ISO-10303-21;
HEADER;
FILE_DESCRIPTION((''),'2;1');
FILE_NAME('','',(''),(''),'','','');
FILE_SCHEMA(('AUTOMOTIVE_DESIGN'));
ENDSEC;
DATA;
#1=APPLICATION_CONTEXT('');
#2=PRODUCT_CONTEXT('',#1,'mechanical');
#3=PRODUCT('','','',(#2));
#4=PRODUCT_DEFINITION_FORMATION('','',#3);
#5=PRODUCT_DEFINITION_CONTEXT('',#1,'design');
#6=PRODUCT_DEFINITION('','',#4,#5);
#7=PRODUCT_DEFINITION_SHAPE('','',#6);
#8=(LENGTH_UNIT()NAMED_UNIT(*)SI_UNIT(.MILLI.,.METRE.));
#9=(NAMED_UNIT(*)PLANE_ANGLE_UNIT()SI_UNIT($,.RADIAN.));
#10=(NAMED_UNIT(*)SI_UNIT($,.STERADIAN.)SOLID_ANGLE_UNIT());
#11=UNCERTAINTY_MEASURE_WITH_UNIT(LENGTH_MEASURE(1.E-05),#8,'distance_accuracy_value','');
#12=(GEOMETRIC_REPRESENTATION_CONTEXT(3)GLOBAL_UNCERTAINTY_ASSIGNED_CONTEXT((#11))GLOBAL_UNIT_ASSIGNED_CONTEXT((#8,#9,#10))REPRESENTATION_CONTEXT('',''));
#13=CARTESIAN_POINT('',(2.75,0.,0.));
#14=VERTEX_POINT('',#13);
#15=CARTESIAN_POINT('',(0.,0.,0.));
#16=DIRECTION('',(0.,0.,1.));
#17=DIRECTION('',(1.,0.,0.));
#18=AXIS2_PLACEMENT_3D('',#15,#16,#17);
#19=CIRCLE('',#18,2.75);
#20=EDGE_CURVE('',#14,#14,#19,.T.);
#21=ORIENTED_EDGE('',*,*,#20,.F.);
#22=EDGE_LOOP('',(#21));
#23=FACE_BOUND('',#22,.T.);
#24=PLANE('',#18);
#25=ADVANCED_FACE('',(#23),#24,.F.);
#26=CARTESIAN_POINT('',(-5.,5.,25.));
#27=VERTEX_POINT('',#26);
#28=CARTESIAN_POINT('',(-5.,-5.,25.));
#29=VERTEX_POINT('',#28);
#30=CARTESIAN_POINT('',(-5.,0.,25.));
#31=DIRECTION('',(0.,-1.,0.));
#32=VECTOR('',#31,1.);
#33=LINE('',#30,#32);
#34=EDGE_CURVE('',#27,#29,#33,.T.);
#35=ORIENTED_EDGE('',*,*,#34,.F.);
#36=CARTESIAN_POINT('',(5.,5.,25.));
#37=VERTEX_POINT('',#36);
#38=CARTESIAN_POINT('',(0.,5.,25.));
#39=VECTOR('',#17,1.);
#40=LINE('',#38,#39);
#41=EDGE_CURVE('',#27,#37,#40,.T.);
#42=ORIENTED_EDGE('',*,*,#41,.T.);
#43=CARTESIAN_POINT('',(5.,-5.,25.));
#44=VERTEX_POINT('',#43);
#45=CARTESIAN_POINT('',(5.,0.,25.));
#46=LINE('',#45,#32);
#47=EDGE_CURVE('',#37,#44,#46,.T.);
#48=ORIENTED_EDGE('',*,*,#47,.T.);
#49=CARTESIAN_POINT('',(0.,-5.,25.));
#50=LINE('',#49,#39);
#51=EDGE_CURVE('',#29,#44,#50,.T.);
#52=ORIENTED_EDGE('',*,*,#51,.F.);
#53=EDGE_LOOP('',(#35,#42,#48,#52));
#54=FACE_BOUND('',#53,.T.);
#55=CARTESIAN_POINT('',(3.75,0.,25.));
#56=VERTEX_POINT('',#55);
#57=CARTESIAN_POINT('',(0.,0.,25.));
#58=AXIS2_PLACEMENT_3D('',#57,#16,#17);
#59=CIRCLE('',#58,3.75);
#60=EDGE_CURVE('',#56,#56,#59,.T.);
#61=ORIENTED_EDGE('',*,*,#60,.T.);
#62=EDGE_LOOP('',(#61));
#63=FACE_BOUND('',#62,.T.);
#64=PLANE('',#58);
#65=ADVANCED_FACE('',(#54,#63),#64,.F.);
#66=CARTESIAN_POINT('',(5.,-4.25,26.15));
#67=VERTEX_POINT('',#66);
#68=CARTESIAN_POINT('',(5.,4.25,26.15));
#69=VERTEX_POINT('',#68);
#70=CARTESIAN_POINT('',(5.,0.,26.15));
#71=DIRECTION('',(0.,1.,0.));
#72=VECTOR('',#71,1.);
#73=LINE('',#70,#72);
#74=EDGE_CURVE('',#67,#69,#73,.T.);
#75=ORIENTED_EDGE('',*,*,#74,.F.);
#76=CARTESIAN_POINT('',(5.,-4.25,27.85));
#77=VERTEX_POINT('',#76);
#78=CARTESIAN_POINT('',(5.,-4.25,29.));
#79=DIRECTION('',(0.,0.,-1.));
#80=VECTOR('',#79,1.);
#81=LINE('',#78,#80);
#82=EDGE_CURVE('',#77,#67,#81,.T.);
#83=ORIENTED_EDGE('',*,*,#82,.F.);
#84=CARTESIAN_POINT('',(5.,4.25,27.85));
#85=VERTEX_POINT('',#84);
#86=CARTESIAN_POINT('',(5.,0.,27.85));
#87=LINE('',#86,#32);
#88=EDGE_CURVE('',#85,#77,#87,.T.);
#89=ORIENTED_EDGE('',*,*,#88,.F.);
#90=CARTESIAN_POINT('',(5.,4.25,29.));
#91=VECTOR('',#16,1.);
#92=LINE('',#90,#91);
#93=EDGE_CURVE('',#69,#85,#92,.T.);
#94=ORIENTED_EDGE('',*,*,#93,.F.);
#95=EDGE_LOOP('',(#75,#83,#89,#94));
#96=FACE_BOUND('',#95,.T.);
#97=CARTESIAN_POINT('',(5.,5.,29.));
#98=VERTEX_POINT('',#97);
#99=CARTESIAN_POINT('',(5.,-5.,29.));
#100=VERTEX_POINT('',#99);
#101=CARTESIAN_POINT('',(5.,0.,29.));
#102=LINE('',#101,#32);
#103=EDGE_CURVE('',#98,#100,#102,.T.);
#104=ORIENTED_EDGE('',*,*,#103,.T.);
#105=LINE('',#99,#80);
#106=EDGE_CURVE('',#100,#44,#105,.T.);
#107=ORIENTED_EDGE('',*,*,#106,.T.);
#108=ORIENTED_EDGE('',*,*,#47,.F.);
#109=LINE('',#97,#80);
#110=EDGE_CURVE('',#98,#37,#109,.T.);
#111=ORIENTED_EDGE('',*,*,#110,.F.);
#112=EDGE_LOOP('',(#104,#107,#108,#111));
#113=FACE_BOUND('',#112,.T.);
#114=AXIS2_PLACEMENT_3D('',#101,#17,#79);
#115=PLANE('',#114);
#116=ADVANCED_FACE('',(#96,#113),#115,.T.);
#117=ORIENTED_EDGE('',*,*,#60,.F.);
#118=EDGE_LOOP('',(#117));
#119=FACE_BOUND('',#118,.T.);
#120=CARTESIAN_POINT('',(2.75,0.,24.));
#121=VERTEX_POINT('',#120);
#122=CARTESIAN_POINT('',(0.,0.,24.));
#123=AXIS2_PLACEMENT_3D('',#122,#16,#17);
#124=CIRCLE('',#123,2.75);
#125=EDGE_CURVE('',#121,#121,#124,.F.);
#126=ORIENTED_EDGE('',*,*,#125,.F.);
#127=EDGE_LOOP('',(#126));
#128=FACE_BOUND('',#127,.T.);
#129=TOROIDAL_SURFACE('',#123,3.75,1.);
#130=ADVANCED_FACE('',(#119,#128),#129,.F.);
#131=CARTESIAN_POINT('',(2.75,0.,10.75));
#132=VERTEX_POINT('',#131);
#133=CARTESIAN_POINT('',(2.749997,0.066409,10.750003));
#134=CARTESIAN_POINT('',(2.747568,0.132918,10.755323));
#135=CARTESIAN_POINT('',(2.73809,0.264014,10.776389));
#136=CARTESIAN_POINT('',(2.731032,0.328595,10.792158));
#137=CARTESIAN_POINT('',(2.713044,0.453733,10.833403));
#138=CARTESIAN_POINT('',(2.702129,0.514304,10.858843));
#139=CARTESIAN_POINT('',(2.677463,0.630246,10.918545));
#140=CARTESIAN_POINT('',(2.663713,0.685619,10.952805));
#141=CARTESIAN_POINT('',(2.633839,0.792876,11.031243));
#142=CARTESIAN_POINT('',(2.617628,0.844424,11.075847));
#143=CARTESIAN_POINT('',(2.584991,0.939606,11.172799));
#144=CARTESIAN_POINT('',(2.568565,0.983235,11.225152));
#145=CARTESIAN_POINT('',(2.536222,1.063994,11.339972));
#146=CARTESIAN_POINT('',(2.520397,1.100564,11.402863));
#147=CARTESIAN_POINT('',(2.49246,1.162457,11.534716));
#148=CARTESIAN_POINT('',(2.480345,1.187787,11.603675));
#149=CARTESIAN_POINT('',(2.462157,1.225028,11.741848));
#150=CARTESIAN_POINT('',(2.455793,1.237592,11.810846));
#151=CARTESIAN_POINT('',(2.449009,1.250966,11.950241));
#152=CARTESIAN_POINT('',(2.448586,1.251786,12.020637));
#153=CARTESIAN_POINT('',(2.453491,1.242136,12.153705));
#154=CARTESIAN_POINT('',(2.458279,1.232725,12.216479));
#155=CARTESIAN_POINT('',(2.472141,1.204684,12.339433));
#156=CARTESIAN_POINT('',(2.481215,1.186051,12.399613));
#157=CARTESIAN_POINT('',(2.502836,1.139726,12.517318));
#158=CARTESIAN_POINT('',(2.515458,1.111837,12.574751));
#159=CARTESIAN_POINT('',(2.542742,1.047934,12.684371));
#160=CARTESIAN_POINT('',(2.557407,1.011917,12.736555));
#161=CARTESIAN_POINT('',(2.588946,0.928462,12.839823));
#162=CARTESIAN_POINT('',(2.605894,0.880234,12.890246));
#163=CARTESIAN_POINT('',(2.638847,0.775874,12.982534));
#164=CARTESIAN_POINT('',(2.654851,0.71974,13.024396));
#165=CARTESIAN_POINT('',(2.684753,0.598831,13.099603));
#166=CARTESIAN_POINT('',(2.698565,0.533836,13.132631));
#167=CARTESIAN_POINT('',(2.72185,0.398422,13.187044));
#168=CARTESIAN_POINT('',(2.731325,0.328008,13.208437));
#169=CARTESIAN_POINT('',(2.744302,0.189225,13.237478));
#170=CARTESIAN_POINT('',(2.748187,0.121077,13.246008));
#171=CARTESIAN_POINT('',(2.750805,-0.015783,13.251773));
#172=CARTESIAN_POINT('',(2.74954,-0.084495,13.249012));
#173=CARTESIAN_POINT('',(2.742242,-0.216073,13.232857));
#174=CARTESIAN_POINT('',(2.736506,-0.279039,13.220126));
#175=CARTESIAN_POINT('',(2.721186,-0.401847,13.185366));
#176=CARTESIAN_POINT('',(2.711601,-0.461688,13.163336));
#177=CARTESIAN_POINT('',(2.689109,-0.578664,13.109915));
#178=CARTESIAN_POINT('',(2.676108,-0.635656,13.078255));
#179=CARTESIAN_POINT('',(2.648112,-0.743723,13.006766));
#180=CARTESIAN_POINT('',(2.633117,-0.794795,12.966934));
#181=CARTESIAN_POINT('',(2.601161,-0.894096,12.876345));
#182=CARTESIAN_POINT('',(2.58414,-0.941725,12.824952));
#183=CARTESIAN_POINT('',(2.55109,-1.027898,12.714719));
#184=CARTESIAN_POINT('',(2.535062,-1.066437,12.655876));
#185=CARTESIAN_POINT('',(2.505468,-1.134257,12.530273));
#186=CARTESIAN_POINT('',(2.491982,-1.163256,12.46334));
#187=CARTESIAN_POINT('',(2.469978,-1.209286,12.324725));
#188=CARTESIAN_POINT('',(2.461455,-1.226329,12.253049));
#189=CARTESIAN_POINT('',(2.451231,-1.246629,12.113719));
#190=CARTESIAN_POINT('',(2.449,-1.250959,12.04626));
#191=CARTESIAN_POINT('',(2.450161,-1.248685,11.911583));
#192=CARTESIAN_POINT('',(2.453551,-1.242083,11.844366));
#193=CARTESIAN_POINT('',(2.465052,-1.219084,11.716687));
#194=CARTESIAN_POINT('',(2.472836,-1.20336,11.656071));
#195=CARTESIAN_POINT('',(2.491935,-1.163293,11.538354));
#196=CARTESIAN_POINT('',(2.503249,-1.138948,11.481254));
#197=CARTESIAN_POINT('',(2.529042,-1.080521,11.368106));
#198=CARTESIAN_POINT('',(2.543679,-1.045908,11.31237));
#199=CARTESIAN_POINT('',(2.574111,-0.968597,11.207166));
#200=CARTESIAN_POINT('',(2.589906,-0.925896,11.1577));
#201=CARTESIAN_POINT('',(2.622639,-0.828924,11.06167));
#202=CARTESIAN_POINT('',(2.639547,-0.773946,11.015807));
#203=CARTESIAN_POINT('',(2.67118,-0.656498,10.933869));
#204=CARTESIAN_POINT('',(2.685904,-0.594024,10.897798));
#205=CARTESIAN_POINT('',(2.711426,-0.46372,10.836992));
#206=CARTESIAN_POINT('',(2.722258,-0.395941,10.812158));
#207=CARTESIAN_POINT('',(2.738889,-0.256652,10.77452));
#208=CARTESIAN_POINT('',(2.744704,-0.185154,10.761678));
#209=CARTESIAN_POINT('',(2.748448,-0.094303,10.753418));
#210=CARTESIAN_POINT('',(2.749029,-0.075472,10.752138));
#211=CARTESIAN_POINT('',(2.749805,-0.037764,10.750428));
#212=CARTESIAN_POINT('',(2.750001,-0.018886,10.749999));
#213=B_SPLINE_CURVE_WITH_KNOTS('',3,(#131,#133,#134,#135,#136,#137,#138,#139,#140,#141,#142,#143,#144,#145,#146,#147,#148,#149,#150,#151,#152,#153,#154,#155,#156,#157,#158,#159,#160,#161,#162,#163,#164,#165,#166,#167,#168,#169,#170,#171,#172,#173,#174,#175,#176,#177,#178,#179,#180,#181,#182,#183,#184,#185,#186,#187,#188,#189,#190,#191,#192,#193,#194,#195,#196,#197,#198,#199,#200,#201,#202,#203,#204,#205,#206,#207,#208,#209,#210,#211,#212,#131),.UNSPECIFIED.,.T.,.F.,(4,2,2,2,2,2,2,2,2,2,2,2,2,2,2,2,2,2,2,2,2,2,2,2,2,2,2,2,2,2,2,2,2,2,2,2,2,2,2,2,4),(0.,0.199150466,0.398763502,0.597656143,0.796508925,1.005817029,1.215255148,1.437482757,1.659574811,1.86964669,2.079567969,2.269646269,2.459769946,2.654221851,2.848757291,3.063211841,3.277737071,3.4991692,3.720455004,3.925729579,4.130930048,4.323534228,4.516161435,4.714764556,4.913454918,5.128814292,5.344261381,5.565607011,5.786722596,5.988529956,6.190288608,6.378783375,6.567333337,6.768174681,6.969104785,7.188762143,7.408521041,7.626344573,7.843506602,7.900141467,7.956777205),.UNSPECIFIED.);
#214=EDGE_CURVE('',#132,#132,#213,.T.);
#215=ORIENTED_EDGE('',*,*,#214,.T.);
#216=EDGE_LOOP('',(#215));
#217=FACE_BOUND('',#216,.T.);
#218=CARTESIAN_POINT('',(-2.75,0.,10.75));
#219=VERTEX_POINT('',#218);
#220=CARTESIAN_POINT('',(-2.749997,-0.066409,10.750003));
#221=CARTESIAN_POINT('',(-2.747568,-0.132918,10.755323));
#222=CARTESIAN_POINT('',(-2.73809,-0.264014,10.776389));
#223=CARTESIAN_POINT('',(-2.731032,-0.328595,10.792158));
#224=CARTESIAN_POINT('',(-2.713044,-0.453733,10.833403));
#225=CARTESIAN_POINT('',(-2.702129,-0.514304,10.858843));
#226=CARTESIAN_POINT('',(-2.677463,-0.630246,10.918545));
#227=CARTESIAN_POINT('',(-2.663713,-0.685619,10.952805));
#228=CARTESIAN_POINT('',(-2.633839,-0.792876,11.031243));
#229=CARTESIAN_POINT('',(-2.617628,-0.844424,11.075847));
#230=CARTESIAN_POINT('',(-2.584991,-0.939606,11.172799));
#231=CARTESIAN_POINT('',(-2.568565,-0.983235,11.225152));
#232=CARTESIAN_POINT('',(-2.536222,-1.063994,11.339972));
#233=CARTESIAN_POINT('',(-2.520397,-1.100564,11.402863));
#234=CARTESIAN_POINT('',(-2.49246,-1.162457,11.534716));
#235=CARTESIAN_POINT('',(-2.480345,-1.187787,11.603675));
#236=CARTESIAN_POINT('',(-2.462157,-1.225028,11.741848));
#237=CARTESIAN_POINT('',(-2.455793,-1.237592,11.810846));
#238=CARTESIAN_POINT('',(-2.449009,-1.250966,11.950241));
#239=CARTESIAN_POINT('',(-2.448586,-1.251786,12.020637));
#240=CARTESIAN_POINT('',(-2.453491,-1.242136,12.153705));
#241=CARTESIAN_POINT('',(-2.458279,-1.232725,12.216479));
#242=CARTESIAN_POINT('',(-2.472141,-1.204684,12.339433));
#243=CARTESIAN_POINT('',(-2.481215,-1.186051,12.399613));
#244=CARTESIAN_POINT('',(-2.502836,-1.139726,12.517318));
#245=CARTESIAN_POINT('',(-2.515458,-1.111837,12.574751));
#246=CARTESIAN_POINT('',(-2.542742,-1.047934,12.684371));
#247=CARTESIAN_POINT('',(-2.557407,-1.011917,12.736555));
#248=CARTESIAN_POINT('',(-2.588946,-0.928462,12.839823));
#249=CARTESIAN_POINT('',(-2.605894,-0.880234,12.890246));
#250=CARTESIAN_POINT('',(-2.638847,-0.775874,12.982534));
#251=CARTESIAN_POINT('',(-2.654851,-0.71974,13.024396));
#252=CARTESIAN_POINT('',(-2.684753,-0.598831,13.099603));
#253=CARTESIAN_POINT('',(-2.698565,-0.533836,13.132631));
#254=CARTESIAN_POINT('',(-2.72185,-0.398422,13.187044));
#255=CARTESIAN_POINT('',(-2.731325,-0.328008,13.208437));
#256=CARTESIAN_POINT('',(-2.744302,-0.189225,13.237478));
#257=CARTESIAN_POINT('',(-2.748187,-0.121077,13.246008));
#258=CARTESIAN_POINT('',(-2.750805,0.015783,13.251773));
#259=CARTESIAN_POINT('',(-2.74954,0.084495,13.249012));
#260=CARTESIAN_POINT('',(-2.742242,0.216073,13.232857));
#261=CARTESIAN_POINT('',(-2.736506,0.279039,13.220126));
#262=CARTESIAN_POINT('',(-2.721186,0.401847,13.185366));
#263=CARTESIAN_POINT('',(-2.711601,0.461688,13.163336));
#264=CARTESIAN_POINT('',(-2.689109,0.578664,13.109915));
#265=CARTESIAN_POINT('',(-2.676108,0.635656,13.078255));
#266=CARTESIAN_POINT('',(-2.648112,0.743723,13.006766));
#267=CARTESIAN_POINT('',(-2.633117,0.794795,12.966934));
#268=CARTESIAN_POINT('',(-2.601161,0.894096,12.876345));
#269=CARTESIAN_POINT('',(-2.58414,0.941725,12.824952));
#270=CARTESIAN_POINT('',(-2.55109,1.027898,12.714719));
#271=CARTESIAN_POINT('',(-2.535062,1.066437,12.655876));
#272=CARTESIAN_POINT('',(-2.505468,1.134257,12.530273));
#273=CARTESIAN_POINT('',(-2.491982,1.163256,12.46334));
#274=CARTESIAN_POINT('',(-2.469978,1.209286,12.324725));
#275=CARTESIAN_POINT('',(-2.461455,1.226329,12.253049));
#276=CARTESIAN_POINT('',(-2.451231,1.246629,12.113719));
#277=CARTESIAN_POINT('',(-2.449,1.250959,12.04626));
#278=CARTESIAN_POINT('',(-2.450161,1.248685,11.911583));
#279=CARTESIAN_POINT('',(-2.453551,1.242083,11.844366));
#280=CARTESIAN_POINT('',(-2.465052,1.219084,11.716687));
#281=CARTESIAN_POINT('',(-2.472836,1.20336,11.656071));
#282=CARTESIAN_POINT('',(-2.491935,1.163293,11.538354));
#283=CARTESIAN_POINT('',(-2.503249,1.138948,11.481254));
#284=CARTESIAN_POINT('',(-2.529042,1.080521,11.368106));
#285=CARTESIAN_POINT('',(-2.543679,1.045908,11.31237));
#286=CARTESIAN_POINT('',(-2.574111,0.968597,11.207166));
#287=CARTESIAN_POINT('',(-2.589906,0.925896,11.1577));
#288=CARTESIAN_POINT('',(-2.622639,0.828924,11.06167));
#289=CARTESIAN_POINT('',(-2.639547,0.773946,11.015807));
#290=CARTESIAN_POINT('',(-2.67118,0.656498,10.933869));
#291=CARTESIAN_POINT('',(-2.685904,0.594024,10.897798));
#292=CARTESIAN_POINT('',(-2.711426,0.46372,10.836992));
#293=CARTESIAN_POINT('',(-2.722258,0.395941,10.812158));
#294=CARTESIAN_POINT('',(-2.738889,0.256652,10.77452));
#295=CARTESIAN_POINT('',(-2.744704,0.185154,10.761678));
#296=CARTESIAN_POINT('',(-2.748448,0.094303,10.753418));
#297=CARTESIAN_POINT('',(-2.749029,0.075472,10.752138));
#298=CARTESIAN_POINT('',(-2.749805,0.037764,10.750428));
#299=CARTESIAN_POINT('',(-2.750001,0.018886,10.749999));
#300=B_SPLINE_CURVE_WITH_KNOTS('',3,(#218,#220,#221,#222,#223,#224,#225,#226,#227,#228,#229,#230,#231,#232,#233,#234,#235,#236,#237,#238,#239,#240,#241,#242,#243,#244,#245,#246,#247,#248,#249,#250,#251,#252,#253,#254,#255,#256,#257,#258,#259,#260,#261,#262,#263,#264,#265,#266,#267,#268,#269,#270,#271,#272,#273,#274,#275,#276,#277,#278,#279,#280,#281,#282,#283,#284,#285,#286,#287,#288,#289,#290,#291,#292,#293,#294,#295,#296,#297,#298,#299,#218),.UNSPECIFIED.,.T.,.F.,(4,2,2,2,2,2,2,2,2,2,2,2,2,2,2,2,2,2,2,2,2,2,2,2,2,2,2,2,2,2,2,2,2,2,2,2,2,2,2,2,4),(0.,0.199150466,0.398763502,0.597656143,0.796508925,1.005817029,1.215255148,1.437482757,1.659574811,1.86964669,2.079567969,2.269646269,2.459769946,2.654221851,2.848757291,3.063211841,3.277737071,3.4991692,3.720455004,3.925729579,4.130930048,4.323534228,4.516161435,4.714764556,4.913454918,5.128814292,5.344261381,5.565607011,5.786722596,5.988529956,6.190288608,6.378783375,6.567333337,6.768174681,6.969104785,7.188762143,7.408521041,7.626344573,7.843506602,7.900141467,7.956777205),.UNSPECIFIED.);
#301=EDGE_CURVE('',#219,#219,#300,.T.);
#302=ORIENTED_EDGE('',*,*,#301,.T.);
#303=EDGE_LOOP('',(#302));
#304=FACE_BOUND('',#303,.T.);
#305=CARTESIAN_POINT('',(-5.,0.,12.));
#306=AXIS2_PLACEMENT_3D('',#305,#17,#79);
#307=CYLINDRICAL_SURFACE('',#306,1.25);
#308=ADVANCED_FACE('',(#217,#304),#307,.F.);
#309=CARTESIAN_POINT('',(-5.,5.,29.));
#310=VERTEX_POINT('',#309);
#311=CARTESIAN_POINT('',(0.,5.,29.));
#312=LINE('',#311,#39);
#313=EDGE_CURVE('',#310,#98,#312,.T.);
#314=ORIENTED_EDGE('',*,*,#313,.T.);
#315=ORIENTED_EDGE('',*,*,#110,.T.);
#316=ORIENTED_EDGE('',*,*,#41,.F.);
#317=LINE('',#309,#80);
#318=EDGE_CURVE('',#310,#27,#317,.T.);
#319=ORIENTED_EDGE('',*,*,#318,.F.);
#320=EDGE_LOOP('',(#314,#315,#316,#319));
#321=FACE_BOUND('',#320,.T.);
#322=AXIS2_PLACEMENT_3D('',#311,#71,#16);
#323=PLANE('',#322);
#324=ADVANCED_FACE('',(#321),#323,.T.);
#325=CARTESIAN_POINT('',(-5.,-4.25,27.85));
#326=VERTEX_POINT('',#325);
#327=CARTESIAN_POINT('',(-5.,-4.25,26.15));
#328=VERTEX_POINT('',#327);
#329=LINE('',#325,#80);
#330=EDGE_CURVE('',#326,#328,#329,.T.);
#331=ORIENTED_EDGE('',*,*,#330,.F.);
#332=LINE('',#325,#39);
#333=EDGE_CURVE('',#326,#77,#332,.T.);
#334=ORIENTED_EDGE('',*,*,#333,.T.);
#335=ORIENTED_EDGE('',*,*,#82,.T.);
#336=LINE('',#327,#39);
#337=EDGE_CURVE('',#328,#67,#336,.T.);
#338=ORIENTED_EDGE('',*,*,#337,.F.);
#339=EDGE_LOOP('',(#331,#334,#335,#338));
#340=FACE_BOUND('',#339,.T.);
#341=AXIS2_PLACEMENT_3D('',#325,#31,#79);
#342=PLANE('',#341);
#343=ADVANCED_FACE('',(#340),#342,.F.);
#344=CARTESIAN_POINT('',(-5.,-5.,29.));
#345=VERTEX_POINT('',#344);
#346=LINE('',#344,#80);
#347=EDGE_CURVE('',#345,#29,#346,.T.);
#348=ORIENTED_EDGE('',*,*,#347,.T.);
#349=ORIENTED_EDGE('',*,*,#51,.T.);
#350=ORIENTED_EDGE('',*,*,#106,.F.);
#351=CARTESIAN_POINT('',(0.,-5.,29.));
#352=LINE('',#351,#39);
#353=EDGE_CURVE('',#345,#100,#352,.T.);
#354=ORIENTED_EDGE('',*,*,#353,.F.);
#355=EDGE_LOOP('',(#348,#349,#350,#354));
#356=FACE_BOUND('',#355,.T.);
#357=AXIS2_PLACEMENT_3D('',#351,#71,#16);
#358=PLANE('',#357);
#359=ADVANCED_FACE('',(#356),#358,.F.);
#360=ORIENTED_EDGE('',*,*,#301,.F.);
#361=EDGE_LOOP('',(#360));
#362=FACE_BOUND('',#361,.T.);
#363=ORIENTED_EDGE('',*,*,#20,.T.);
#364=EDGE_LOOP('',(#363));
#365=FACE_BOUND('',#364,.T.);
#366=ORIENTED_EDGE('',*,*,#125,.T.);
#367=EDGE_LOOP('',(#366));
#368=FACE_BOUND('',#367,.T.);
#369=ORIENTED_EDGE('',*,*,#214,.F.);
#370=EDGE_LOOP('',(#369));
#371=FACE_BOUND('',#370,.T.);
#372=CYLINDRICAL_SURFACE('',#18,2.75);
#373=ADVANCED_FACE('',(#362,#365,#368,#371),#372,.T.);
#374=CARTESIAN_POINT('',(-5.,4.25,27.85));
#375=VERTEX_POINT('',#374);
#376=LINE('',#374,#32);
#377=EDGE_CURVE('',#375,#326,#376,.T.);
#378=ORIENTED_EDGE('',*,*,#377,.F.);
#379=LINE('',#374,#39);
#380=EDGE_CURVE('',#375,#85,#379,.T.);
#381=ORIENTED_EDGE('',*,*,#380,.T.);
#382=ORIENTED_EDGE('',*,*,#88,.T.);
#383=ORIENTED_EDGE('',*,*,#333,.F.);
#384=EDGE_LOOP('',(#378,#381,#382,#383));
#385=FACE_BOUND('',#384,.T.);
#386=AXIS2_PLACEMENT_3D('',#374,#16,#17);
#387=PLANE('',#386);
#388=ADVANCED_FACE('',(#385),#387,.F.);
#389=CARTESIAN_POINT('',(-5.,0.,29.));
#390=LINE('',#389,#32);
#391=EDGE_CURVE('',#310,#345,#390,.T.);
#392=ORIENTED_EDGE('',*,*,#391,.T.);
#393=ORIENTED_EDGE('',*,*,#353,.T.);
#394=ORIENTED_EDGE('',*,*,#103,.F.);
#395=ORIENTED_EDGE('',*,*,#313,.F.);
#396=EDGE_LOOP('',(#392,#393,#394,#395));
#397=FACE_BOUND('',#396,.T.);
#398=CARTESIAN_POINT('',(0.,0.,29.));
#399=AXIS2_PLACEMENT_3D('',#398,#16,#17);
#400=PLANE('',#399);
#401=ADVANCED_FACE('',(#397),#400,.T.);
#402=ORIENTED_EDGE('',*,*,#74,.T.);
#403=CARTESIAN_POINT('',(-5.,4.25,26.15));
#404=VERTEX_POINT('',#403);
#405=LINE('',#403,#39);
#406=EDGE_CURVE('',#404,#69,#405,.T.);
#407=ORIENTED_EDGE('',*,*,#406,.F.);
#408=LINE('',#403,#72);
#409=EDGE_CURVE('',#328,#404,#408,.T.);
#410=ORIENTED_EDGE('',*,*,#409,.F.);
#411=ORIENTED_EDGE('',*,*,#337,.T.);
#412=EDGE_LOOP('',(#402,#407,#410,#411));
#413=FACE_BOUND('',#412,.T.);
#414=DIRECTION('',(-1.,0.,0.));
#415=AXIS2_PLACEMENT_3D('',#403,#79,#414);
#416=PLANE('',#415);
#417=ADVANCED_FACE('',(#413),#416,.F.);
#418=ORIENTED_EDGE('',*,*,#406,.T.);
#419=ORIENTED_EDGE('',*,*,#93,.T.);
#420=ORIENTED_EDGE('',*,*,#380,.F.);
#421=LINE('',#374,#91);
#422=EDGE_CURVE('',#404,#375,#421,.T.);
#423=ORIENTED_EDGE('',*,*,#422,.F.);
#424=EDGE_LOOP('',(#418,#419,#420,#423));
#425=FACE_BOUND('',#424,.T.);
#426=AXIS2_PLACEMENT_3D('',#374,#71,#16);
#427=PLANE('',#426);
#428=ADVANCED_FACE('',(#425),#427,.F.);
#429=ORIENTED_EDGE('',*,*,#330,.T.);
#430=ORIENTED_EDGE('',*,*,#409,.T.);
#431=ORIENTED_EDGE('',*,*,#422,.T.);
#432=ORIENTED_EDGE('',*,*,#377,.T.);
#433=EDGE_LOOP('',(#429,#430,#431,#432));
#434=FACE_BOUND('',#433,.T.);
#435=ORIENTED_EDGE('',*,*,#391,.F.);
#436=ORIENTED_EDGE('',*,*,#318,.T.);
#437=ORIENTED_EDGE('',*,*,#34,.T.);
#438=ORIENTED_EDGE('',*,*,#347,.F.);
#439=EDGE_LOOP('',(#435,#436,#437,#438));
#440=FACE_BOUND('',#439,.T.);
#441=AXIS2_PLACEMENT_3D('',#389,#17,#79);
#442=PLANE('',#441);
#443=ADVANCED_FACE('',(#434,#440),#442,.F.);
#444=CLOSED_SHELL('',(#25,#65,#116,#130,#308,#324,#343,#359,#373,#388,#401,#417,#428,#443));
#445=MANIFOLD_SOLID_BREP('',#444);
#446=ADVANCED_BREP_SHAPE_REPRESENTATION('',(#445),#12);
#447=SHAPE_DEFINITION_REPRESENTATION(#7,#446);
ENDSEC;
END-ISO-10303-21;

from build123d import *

# Parameters (mm, degrees)
SKETCH2_R               = 2.75
SKETCH3_R               = 2.75
SKETCH3_7_W             = 10
SKETCH3_7_H             = 10
BOSS_EXTRUDE4_DEPTH     = 4
SKETCH8_W               = 1.7
SKETCH8_H               = 8.5
CUT_EXTRUDE2_DEPTH      = 1
CUT_EXTRUDE2_DEPTH_BACK = 11
FILLET1_R               = 1
SKETCH11_R              = 1.25
CUT_EXTRUDE4_DEPTH      = 6
CUT_EXTRUDE4_DEPTH_BACK = 6


with BuildPart() as part:
    # Sketch2 → Loft1 section 0
    with BuildSketch(Plane.XY):
        Circle(SKETCH2_R)
    # Sketch3 → Loft1 section 1
    with BuildSketch(Plane.XY.offset(25)):
        Circle(SKETCH3_R)
    loft()

    # Sketch3<7> → Boss-Extrude4 (add)
    with BuildSketch(Plane.XY.offset(25)):
        Rectangle(SKETCH3_7_W, SKETCH3_7_H)
    extrude(amount=BOSS_EXTRUDE4_DEPTH)

    # Sketch8 → Cut-Extrude2 (cut, two sides)
    with BuildSketch(Plane(origin=(5, 0, 0), x_dir=(0, 0, -1), z_dir=(1, 0, 0))) as cut_extrude2_sk:
        with Locations((-27, 0)):
            Rectangle(SKETCH8_W, SKETCH8_H)
    extrude(amount=CUT_EXTRUDE2_DEPTH, mode=Mode.SUBTRACT)
    extrude(cut_extrude2_sk.sketch, amount=-CUT_EXTRUDE2_DEPTH_BACK, mode=Mode.SUBTRACT)

    # Fillet1
    fillet1_edges = [part.edges().sort_by_distance(p)[0] for p in [
        (-2.75, 0, 25),
    ]]
    fillet(fillet1_edges, radius=FILLET1_R)

    # Sketch11 → Cut-Extrude4 (cut, two sides)
    with BuildSketch(Plane(origin=(0, 0, 0), x_dir=(0, 0, -1), z_dir=(1, 0, 0))) as cut_extrude4_sk:
        with Locations((-12, 0)):
            Circle(SKETCH11_R)
    extrude(amount=CUT_EXTRUDE4_DEPTH, mode=Mode.SUBTRACT)
    extrude(cut_extrude4_sk.sketch, amount=-CUT_EXTRUDE4_DEPTH_BACK, mode=Mode.SUBTRACT)


solid = part.part
